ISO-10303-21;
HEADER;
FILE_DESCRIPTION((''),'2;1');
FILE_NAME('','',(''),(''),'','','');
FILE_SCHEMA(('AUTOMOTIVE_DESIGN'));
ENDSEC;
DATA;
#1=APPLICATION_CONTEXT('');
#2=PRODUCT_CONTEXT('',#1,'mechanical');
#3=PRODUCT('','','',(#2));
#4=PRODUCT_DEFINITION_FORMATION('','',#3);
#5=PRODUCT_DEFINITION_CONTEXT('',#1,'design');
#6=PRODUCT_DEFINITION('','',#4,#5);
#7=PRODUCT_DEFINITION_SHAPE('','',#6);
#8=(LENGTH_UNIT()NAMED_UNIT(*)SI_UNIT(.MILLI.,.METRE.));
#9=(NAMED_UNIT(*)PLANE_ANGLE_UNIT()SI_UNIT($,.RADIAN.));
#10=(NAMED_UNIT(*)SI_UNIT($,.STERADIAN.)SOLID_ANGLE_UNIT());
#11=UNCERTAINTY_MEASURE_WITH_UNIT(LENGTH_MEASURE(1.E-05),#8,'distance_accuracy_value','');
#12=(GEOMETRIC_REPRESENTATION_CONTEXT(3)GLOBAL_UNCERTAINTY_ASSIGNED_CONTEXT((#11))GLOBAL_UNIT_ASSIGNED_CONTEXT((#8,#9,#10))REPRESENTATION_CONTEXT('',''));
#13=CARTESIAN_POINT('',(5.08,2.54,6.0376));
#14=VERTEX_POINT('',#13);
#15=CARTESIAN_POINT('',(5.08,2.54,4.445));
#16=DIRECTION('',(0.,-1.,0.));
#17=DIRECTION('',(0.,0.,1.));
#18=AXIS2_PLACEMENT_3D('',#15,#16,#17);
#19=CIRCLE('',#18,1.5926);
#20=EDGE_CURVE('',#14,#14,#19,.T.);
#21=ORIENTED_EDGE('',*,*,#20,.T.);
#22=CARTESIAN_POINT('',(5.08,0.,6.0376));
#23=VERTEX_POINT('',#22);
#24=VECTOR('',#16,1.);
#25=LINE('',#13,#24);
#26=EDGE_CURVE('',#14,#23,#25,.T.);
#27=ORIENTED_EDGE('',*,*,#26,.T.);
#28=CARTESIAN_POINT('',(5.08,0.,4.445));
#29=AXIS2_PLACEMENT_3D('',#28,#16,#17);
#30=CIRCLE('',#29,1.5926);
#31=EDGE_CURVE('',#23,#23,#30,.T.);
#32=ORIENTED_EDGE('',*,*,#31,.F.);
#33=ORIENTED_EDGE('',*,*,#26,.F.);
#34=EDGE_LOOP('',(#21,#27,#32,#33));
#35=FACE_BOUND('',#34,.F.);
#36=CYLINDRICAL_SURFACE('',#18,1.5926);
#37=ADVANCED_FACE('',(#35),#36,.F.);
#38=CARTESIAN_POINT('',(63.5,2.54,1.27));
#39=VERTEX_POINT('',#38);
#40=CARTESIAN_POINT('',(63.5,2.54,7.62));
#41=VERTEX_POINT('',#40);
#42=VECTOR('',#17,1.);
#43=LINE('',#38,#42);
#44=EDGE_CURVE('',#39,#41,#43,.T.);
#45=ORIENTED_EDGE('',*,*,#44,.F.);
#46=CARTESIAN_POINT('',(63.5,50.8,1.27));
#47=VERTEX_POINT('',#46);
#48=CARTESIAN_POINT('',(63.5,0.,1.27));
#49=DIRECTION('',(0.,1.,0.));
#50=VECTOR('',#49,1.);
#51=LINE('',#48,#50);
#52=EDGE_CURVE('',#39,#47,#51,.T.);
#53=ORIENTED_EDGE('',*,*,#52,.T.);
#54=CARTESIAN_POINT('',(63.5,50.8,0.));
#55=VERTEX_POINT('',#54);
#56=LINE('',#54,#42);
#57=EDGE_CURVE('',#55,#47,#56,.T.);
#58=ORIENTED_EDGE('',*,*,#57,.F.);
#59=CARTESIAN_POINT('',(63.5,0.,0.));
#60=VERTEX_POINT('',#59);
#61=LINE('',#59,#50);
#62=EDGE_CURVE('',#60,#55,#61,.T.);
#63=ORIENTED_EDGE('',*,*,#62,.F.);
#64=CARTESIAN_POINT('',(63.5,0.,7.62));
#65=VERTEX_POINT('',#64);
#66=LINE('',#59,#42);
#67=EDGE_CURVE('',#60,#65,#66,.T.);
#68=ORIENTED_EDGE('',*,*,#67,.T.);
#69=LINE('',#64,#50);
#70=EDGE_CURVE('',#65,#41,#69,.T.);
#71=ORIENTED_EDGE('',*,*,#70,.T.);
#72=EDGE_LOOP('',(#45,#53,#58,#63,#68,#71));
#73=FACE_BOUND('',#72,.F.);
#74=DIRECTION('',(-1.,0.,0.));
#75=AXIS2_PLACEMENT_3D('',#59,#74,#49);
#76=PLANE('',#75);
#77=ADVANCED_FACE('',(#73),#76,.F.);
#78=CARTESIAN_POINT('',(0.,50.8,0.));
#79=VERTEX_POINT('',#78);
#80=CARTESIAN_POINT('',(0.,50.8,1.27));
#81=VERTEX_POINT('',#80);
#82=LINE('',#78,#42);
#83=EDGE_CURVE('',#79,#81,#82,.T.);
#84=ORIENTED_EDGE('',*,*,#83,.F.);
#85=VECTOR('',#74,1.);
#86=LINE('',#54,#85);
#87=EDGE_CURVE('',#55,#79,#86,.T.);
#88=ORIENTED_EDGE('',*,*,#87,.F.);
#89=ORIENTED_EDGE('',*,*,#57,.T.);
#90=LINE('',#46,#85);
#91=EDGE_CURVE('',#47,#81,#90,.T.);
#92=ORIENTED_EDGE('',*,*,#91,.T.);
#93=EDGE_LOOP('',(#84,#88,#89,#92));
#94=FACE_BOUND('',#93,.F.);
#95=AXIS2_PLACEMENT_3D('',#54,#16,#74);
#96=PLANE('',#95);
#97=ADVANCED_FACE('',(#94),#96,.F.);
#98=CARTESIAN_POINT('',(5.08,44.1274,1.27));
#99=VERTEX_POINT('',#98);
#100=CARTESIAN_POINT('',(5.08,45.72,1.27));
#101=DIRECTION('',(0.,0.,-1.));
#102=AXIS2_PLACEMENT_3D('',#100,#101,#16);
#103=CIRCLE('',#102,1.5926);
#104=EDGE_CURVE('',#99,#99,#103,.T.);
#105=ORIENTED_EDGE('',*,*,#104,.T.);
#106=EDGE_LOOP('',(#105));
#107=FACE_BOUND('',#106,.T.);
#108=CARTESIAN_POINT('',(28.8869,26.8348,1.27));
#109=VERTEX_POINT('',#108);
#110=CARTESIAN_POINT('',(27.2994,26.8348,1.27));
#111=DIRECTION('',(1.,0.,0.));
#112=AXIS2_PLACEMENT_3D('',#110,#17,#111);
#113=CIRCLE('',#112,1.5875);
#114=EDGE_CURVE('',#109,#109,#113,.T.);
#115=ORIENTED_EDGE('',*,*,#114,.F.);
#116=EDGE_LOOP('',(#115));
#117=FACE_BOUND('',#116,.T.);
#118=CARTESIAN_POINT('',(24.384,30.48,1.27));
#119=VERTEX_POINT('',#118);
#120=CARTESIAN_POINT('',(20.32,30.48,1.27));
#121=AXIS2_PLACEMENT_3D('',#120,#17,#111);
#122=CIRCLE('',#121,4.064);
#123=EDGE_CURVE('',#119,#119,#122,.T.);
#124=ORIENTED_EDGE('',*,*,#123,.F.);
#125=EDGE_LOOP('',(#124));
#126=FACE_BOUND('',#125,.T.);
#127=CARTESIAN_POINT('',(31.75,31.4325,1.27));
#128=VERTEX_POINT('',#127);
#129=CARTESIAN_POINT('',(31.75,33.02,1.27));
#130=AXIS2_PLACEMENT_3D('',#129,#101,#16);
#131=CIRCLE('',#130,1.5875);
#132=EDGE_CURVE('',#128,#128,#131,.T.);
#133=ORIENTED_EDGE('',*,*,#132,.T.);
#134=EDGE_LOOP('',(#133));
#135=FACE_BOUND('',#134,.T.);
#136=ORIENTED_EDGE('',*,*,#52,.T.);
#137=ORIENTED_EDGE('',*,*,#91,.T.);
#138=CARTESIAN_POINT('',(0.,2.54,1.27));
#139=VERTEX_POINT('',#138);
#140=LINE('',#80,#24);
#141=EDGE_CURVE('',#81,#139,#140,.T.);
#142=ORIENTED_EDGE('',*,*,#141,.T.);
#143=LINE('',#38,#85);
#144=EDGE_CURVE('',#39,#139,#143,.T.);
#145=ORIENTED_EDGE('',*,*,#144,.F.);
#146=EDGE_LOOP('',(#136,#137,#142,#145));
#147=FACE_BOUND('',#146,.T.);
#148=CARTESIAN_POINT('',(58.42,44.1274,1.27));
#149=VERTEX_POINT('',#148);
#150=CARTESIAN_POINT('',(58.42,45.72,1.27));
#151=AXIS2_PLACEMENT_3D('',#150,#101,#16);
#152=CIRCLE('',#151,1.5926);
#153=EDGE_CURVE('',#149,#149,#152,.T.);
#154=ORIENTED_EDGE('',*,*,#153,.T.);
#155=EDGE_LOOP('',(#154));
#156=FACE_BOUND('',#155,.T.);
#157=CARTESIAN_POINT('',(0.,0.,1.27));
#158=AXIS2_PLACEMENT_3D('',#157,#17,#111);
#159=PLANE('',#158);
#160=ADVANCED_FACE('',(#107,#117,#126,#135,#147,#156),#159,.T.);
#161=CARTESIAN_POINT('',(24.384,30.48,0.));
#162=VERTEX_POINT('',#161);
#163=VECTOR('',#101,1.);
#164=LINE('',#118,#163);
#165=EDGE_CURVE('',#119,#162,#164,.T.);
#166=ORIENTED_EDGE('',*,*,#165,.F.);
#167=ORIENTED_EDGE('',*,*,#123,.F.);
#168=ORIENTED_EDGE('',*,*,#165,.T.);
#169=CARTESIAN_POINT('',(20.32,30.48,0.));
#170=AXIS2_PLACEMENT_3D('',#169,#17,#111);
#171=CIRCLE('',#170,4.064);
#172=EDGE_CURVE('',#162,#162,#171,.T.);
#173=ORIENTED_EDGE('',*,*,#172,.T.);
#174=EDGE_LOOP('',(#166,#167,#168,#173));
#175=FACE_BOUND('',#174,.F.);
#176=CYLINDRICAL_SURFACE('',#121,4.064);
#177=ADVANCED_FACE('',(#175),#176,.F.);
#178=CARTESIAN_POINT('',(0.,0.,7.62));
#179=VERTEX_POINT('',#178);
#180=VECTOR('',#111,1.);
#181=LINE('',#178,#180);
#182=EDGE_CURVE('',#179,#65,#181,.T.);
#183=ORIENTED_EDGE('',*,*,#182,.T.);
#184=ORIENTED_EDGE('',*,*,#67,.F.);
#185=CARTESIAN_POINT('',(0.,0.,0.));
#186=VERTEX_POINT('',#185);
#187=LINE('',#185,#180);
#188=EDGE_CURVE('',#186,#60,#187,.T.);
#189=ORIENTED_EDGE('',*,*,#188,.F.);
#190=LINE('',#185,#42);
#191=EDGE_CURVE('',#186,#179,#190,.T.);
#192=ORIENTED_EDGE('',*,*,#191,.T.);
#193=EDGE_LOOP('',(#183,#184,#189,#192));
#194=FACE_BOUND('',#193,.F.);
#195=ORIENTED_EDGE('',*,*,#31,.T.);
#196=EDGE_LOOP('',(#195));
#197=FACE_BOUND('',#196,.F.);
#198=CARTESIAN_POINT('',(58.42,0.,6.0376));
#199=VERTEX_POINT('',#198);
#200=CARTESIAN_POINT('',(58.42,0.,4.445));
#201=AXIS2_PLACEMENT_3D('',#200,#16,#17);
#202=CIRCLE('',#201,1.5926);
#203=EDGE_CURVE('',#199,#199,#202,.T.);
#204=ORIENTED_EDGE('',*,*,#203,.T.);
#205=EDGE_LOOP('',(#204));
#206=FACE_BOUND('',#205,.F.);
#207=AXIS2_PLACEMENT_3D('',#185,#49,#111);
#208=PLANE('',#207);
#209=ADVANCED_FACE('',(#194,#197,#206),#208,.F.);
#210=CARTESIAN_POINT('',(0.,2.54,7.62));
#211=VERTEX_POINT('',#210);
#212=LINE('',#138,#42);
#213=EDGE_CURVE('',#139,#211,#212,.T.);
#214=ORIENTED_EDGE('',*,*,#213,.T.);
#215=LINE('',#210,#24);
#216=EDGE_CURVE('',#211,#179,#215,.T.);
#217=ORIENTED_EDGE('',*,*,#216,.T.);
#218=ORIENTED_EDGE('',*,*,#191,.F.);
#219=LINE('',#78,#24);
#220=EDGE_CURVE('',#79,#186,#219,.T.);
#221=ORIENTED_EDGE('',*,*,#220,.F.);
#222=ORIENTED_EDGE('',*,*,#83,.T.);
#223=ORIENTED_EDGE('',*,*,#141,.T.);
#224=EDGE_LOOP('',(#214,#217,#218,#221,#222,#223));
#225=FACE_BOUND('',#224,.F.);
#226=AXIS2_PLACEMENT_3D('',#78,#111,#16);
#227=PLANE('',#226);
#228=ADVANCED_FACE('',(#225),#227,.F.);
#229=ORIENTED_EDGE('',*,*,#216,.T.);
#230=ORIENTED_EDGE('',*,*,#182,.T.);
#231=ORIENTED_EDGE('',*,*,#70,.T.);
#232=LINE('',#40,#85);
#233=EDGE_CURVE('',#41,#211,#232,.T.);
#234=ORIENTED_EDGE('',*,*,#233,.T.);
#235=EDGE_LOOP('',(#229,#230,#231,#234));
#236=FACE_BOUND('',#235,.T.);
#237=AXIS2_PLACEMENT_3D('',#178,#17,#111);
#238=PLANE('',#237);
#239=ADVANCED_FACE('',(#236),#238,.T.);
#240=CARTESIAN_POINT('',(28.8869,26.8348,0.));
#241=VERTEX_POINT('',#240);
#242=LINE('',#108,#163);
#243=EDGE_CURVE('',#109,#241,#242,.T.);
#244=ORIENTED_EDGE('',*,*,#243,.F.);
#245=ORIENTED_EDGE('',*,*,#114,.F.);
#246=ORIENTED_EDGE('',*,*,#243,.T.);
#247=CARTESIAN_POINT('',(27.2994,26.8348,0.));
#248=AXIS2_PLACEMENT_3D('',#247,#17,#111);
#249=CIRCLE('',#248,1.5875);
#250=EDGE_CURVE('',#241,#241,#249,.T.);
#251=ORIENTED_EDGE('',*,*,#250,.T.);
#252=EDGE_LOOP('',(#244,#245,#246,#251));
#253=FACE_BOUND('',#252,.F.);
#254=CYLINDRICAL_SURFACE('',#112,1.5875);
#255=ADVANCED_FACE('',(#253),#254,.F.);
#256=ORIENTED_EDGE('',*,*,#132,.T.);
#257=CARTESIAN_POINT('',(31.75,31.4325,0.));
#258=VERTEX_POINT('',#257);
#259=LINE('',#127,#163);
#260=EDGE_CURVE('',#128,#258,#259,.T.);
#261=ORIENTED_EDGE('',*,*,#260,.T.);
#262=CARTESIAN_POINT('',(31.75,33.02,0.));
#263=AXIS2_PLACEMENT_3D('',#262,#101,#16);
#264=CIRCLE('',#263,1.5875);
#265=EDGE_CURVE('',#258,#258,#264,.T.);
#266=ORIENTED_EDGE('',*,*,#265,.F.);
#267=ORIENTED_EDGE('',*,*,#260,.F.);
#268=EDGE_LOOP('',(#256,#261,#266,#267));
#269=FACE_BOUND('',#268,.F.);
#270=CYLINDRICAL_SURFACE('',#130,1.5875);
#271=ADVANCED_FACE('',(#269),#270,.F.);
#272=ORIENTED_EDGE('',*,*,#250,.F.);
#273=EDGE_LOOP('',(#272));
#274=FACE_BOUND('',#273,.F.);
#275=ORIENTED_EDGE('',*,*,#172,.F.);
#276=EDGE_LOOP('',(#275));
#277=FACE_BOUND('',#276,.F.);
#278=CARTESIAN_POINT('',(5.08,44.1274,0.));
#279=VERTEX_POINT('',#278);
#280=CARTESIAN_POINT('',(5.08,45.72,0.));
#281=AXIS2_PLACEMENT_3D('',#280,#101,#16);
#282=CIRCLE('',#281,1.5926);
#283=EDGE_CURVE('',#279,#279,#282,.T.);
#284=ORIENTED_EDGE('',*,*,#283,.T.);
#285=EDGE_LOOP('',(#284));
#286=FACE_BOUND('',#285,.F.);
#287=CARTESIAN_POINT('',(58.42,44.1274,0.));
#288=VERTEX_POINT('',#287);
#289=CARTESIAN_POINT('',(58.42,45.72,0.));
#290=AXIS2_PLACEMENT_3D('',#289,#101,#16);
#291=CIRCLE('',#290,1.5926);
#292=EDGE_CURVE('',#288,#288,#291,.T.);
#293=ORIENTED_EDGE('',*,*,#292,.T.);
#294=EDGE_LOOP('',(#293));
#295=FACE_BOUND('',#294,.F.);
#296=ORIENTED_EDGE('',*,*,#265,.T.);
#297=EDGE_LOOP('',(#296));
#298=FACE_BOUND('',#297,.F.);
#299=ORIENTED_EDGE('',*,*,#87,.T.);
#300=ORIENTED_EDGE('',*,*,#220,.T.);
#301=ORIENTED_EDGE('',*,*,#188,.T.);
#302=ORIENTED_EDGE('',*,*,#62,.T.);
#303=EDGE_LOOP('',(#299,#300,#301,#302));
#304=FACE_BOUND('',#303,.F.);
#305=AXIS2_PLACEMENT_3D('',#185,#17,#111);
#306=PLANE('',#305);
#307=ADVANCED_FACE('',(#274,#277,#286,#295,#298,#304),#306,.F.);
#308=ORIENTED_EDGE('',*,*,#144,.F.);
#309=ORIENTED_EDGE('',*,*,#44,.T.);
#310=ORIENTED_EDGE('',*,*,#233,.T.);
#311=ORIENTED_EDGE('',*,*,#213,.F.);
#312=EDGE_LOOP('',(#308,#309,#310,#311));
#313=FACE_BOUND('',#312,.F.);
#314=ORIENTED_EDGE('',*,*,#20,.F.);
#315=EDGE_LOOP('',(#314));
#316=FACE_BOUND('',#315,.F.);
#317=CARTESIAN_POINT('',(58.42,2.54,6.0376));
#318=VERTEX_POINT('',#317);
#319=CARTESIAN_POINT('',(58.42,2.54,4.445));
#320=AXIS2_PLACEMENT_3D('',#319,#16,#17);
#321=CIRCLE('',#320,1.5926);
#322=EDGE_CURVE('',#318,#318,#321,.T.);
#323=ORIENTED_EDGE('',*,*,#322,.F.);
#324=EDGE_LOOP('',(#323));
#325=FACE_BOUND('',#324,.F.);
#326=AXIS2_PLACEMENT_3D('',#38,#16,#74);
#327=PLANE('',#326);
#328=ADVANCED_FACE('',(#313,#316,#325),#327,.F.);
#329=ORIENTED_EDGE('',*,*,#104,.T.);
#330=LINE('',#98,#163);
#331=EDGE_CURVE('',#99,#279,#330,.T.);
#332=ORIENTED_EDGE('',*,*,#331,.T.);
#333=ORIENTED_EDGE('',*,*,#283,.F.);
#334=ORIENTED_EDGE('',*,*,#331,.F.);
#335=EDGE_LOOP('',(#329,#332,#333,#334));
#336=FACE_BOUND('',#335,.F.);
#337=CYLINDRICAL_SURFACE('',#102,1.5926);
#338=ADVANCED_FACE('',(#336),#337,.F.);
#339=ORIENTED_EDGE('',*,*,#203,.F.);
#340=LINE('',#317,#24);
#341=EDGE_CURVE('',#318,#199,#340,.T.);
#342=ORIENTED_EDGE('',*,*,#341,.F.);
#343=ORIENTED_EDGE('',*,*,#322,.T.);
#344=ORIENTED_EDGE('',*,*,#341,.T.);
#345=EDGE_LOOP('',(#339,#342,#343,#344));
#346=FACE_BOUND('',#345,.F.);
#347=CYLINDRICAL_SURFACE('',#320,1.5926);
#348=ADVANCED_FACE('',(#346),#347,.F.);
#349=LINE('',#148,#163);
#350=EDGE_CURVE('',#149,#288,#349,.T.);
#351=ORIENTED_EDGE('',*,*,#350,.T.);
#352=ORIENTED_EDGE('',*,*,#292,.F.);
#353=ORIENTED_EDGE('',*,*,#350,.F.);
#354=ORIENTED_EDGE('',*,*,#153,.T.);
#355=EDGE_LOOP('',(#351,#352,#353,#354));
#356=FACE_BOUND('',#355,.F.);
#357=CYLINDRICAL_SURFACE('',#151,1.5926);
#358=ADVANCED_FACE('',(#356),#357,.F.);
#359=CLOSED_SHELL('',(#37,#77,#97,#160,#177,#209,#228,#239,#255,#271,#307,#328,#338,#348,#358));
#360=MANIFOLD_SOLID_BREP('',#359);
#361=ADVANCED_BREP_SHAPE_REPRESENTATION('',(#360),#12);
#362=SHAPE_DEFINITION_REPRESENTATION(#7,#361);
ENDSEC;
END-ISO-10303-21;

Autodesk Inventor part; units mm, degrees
ref_plane "YZ Plane" through (0, 0, 0) normal (1, 0, 0) x (0, 1, 0)
ref_plane "XZ Plane" through (0, 0, 0) normal (0, 1, 0) x (-1, 0, 0)
ref_plane "XY Plane" through (0, 0, 0) normal (0, 0, 1) x (1, 0, 0)
sketch "Sketch1" plane through (0, 0, 0) normal (0, 0, 1) x (1, 0, 0)
  line L0 (0, 0) -> (63.5, 0)
  line L1 (63.5, 0) -> (63.5, 50.8)
  line L2 (63.5, 50.8) -> (0, 50.8)
  line L3 (0, 50.8) -> (0, 0)
  dimension "d0" = 50.8
  dimension "d1" = 63.5
extrude "Extrusion1" add sketch "Sketch1" along normal blind 1.27
sketch "Sketch2" plane through (0, 0, 1.27) normal (0, 0, 1) x (1, 0, 0)
  line L0 (63.5, 0) -> (63.5, 50.8) projected
  line L1 (0, 0) -> (63.5, 0)
  line L2 (63.5, 0) -> (63.5, 2.54)
  line L3 (63.5, 2.54) -> (0, 2.54)
  line L4 (0, 2.54) -> (0, 0)
  dimension "d4" = 2.54
extrude "Extrusion2" add sketch "Sketch2" along normal blind 6.35
sketch "Sketch3" plane through (0, 0, 1.27) normal (0, 0, 1) x (1, 0, 0)
  line L0 (63.5, 50.8) -> (0, 50.8) projected
  line L1 (63.5, 2.54) -> (63.5, 50.8) projected
  point P0 (0, 0)
  point P1 (31.75, 33.02)
  dimension "d7" = 17.78
  dimension "d8" = 31.75
hole "Hole1" at (31.75, 33.02, 1.27) direction (0, 0, -1) diameter 3.175 depth 25.4 tip angle 118
sketch "Sketch4" plane through (0, 0, 1.27) normal (0, 0, 1) x (1, 0, 0)
  line L0 (0, 50.8) -> (0, 2.54) projected
  line L1 (63.5, 2.54) -> (63.5, 50.8) projected
  line L2 (63.5, 50.8) -> (0, 50.8) projected
  point P0 (0, 0)
  point P1 (5.08, 45.72)
  point P2 (58.42, 45.72)
  dimension "d16" = 5.08
  dimension "d17" = 5.08
  dimension "d18" = 5.08
  dimension "d19" = 5.08
hole "Hole2" at (5.08, 45.72, 1.27) at (58.42, 45.72, 1.27) direction (0, 0, -1) diameter 3.1852 depth 25.4 tip angle 118
sketch "Sketch5" plane through (0, 2.54, 1.27) normal (0, 1, 0) x (1, 0, 0)
  line L0 (63.5, -6.35) -> (0, -6.35) projected
  line L1 (0, 0) -> (0, -6.35) projected
  line L2 (63.5, 0) -> (63.5, -6.35) projected
  point P0 (0, 1.27)
  point P1 (5.08, -3.175)
  point P2 (58.42, -3.175)
  dimension "d27" = 3.175
  dimension "d28" = 5.08
  dimension "d29" = 3.175
  dimension "d30" = 5.08
hole "Hole3" at (5.08, 2.54, 4.445) at (58.42, 2.54, 4.445) direction (0, -1, 0) diameter 3.1852 depth 25.4 tip angle 118
sketch "Sketch6" plane through (0, 0, 1.27) normal (0, 0, 1) x (1, 0, 0)
  circle A0 centre (31.75, 33.02) radius 1.5875 construction
  circle A1 centre (31.75, 33.02) radius 3.81 construction
  circle A2 centre (27.2994, 26.8348) radius 3.81 construction
  line L0 (0, 0) -> (63.5, 0) projected
  circle A3 centre (20.32, 30.48) radius 4.064
  circle A4 centre (27.2994, 26.8348) radius 1.5875
  circle A5 centre (5.08, 45.72) radius 1.5926 projected
  line L1 (0, 50.8) -> (0, 2.54) projected
  dimension "d38" = 7.62
  dimension "d39" = 7.62
  dimension "d42" = 8.128
  dimension "d43" = 3.175
  dimension "d46" = 15.24
  dimension "d47" = 15.24
  dimension "d48" = 26.8348
  dimension "d49" = 27.2994
extrude "Extrusion3" cut sketch "Sketch6" against normal blind 25.4 contours A3 | A4
properties part number "000110-2"
